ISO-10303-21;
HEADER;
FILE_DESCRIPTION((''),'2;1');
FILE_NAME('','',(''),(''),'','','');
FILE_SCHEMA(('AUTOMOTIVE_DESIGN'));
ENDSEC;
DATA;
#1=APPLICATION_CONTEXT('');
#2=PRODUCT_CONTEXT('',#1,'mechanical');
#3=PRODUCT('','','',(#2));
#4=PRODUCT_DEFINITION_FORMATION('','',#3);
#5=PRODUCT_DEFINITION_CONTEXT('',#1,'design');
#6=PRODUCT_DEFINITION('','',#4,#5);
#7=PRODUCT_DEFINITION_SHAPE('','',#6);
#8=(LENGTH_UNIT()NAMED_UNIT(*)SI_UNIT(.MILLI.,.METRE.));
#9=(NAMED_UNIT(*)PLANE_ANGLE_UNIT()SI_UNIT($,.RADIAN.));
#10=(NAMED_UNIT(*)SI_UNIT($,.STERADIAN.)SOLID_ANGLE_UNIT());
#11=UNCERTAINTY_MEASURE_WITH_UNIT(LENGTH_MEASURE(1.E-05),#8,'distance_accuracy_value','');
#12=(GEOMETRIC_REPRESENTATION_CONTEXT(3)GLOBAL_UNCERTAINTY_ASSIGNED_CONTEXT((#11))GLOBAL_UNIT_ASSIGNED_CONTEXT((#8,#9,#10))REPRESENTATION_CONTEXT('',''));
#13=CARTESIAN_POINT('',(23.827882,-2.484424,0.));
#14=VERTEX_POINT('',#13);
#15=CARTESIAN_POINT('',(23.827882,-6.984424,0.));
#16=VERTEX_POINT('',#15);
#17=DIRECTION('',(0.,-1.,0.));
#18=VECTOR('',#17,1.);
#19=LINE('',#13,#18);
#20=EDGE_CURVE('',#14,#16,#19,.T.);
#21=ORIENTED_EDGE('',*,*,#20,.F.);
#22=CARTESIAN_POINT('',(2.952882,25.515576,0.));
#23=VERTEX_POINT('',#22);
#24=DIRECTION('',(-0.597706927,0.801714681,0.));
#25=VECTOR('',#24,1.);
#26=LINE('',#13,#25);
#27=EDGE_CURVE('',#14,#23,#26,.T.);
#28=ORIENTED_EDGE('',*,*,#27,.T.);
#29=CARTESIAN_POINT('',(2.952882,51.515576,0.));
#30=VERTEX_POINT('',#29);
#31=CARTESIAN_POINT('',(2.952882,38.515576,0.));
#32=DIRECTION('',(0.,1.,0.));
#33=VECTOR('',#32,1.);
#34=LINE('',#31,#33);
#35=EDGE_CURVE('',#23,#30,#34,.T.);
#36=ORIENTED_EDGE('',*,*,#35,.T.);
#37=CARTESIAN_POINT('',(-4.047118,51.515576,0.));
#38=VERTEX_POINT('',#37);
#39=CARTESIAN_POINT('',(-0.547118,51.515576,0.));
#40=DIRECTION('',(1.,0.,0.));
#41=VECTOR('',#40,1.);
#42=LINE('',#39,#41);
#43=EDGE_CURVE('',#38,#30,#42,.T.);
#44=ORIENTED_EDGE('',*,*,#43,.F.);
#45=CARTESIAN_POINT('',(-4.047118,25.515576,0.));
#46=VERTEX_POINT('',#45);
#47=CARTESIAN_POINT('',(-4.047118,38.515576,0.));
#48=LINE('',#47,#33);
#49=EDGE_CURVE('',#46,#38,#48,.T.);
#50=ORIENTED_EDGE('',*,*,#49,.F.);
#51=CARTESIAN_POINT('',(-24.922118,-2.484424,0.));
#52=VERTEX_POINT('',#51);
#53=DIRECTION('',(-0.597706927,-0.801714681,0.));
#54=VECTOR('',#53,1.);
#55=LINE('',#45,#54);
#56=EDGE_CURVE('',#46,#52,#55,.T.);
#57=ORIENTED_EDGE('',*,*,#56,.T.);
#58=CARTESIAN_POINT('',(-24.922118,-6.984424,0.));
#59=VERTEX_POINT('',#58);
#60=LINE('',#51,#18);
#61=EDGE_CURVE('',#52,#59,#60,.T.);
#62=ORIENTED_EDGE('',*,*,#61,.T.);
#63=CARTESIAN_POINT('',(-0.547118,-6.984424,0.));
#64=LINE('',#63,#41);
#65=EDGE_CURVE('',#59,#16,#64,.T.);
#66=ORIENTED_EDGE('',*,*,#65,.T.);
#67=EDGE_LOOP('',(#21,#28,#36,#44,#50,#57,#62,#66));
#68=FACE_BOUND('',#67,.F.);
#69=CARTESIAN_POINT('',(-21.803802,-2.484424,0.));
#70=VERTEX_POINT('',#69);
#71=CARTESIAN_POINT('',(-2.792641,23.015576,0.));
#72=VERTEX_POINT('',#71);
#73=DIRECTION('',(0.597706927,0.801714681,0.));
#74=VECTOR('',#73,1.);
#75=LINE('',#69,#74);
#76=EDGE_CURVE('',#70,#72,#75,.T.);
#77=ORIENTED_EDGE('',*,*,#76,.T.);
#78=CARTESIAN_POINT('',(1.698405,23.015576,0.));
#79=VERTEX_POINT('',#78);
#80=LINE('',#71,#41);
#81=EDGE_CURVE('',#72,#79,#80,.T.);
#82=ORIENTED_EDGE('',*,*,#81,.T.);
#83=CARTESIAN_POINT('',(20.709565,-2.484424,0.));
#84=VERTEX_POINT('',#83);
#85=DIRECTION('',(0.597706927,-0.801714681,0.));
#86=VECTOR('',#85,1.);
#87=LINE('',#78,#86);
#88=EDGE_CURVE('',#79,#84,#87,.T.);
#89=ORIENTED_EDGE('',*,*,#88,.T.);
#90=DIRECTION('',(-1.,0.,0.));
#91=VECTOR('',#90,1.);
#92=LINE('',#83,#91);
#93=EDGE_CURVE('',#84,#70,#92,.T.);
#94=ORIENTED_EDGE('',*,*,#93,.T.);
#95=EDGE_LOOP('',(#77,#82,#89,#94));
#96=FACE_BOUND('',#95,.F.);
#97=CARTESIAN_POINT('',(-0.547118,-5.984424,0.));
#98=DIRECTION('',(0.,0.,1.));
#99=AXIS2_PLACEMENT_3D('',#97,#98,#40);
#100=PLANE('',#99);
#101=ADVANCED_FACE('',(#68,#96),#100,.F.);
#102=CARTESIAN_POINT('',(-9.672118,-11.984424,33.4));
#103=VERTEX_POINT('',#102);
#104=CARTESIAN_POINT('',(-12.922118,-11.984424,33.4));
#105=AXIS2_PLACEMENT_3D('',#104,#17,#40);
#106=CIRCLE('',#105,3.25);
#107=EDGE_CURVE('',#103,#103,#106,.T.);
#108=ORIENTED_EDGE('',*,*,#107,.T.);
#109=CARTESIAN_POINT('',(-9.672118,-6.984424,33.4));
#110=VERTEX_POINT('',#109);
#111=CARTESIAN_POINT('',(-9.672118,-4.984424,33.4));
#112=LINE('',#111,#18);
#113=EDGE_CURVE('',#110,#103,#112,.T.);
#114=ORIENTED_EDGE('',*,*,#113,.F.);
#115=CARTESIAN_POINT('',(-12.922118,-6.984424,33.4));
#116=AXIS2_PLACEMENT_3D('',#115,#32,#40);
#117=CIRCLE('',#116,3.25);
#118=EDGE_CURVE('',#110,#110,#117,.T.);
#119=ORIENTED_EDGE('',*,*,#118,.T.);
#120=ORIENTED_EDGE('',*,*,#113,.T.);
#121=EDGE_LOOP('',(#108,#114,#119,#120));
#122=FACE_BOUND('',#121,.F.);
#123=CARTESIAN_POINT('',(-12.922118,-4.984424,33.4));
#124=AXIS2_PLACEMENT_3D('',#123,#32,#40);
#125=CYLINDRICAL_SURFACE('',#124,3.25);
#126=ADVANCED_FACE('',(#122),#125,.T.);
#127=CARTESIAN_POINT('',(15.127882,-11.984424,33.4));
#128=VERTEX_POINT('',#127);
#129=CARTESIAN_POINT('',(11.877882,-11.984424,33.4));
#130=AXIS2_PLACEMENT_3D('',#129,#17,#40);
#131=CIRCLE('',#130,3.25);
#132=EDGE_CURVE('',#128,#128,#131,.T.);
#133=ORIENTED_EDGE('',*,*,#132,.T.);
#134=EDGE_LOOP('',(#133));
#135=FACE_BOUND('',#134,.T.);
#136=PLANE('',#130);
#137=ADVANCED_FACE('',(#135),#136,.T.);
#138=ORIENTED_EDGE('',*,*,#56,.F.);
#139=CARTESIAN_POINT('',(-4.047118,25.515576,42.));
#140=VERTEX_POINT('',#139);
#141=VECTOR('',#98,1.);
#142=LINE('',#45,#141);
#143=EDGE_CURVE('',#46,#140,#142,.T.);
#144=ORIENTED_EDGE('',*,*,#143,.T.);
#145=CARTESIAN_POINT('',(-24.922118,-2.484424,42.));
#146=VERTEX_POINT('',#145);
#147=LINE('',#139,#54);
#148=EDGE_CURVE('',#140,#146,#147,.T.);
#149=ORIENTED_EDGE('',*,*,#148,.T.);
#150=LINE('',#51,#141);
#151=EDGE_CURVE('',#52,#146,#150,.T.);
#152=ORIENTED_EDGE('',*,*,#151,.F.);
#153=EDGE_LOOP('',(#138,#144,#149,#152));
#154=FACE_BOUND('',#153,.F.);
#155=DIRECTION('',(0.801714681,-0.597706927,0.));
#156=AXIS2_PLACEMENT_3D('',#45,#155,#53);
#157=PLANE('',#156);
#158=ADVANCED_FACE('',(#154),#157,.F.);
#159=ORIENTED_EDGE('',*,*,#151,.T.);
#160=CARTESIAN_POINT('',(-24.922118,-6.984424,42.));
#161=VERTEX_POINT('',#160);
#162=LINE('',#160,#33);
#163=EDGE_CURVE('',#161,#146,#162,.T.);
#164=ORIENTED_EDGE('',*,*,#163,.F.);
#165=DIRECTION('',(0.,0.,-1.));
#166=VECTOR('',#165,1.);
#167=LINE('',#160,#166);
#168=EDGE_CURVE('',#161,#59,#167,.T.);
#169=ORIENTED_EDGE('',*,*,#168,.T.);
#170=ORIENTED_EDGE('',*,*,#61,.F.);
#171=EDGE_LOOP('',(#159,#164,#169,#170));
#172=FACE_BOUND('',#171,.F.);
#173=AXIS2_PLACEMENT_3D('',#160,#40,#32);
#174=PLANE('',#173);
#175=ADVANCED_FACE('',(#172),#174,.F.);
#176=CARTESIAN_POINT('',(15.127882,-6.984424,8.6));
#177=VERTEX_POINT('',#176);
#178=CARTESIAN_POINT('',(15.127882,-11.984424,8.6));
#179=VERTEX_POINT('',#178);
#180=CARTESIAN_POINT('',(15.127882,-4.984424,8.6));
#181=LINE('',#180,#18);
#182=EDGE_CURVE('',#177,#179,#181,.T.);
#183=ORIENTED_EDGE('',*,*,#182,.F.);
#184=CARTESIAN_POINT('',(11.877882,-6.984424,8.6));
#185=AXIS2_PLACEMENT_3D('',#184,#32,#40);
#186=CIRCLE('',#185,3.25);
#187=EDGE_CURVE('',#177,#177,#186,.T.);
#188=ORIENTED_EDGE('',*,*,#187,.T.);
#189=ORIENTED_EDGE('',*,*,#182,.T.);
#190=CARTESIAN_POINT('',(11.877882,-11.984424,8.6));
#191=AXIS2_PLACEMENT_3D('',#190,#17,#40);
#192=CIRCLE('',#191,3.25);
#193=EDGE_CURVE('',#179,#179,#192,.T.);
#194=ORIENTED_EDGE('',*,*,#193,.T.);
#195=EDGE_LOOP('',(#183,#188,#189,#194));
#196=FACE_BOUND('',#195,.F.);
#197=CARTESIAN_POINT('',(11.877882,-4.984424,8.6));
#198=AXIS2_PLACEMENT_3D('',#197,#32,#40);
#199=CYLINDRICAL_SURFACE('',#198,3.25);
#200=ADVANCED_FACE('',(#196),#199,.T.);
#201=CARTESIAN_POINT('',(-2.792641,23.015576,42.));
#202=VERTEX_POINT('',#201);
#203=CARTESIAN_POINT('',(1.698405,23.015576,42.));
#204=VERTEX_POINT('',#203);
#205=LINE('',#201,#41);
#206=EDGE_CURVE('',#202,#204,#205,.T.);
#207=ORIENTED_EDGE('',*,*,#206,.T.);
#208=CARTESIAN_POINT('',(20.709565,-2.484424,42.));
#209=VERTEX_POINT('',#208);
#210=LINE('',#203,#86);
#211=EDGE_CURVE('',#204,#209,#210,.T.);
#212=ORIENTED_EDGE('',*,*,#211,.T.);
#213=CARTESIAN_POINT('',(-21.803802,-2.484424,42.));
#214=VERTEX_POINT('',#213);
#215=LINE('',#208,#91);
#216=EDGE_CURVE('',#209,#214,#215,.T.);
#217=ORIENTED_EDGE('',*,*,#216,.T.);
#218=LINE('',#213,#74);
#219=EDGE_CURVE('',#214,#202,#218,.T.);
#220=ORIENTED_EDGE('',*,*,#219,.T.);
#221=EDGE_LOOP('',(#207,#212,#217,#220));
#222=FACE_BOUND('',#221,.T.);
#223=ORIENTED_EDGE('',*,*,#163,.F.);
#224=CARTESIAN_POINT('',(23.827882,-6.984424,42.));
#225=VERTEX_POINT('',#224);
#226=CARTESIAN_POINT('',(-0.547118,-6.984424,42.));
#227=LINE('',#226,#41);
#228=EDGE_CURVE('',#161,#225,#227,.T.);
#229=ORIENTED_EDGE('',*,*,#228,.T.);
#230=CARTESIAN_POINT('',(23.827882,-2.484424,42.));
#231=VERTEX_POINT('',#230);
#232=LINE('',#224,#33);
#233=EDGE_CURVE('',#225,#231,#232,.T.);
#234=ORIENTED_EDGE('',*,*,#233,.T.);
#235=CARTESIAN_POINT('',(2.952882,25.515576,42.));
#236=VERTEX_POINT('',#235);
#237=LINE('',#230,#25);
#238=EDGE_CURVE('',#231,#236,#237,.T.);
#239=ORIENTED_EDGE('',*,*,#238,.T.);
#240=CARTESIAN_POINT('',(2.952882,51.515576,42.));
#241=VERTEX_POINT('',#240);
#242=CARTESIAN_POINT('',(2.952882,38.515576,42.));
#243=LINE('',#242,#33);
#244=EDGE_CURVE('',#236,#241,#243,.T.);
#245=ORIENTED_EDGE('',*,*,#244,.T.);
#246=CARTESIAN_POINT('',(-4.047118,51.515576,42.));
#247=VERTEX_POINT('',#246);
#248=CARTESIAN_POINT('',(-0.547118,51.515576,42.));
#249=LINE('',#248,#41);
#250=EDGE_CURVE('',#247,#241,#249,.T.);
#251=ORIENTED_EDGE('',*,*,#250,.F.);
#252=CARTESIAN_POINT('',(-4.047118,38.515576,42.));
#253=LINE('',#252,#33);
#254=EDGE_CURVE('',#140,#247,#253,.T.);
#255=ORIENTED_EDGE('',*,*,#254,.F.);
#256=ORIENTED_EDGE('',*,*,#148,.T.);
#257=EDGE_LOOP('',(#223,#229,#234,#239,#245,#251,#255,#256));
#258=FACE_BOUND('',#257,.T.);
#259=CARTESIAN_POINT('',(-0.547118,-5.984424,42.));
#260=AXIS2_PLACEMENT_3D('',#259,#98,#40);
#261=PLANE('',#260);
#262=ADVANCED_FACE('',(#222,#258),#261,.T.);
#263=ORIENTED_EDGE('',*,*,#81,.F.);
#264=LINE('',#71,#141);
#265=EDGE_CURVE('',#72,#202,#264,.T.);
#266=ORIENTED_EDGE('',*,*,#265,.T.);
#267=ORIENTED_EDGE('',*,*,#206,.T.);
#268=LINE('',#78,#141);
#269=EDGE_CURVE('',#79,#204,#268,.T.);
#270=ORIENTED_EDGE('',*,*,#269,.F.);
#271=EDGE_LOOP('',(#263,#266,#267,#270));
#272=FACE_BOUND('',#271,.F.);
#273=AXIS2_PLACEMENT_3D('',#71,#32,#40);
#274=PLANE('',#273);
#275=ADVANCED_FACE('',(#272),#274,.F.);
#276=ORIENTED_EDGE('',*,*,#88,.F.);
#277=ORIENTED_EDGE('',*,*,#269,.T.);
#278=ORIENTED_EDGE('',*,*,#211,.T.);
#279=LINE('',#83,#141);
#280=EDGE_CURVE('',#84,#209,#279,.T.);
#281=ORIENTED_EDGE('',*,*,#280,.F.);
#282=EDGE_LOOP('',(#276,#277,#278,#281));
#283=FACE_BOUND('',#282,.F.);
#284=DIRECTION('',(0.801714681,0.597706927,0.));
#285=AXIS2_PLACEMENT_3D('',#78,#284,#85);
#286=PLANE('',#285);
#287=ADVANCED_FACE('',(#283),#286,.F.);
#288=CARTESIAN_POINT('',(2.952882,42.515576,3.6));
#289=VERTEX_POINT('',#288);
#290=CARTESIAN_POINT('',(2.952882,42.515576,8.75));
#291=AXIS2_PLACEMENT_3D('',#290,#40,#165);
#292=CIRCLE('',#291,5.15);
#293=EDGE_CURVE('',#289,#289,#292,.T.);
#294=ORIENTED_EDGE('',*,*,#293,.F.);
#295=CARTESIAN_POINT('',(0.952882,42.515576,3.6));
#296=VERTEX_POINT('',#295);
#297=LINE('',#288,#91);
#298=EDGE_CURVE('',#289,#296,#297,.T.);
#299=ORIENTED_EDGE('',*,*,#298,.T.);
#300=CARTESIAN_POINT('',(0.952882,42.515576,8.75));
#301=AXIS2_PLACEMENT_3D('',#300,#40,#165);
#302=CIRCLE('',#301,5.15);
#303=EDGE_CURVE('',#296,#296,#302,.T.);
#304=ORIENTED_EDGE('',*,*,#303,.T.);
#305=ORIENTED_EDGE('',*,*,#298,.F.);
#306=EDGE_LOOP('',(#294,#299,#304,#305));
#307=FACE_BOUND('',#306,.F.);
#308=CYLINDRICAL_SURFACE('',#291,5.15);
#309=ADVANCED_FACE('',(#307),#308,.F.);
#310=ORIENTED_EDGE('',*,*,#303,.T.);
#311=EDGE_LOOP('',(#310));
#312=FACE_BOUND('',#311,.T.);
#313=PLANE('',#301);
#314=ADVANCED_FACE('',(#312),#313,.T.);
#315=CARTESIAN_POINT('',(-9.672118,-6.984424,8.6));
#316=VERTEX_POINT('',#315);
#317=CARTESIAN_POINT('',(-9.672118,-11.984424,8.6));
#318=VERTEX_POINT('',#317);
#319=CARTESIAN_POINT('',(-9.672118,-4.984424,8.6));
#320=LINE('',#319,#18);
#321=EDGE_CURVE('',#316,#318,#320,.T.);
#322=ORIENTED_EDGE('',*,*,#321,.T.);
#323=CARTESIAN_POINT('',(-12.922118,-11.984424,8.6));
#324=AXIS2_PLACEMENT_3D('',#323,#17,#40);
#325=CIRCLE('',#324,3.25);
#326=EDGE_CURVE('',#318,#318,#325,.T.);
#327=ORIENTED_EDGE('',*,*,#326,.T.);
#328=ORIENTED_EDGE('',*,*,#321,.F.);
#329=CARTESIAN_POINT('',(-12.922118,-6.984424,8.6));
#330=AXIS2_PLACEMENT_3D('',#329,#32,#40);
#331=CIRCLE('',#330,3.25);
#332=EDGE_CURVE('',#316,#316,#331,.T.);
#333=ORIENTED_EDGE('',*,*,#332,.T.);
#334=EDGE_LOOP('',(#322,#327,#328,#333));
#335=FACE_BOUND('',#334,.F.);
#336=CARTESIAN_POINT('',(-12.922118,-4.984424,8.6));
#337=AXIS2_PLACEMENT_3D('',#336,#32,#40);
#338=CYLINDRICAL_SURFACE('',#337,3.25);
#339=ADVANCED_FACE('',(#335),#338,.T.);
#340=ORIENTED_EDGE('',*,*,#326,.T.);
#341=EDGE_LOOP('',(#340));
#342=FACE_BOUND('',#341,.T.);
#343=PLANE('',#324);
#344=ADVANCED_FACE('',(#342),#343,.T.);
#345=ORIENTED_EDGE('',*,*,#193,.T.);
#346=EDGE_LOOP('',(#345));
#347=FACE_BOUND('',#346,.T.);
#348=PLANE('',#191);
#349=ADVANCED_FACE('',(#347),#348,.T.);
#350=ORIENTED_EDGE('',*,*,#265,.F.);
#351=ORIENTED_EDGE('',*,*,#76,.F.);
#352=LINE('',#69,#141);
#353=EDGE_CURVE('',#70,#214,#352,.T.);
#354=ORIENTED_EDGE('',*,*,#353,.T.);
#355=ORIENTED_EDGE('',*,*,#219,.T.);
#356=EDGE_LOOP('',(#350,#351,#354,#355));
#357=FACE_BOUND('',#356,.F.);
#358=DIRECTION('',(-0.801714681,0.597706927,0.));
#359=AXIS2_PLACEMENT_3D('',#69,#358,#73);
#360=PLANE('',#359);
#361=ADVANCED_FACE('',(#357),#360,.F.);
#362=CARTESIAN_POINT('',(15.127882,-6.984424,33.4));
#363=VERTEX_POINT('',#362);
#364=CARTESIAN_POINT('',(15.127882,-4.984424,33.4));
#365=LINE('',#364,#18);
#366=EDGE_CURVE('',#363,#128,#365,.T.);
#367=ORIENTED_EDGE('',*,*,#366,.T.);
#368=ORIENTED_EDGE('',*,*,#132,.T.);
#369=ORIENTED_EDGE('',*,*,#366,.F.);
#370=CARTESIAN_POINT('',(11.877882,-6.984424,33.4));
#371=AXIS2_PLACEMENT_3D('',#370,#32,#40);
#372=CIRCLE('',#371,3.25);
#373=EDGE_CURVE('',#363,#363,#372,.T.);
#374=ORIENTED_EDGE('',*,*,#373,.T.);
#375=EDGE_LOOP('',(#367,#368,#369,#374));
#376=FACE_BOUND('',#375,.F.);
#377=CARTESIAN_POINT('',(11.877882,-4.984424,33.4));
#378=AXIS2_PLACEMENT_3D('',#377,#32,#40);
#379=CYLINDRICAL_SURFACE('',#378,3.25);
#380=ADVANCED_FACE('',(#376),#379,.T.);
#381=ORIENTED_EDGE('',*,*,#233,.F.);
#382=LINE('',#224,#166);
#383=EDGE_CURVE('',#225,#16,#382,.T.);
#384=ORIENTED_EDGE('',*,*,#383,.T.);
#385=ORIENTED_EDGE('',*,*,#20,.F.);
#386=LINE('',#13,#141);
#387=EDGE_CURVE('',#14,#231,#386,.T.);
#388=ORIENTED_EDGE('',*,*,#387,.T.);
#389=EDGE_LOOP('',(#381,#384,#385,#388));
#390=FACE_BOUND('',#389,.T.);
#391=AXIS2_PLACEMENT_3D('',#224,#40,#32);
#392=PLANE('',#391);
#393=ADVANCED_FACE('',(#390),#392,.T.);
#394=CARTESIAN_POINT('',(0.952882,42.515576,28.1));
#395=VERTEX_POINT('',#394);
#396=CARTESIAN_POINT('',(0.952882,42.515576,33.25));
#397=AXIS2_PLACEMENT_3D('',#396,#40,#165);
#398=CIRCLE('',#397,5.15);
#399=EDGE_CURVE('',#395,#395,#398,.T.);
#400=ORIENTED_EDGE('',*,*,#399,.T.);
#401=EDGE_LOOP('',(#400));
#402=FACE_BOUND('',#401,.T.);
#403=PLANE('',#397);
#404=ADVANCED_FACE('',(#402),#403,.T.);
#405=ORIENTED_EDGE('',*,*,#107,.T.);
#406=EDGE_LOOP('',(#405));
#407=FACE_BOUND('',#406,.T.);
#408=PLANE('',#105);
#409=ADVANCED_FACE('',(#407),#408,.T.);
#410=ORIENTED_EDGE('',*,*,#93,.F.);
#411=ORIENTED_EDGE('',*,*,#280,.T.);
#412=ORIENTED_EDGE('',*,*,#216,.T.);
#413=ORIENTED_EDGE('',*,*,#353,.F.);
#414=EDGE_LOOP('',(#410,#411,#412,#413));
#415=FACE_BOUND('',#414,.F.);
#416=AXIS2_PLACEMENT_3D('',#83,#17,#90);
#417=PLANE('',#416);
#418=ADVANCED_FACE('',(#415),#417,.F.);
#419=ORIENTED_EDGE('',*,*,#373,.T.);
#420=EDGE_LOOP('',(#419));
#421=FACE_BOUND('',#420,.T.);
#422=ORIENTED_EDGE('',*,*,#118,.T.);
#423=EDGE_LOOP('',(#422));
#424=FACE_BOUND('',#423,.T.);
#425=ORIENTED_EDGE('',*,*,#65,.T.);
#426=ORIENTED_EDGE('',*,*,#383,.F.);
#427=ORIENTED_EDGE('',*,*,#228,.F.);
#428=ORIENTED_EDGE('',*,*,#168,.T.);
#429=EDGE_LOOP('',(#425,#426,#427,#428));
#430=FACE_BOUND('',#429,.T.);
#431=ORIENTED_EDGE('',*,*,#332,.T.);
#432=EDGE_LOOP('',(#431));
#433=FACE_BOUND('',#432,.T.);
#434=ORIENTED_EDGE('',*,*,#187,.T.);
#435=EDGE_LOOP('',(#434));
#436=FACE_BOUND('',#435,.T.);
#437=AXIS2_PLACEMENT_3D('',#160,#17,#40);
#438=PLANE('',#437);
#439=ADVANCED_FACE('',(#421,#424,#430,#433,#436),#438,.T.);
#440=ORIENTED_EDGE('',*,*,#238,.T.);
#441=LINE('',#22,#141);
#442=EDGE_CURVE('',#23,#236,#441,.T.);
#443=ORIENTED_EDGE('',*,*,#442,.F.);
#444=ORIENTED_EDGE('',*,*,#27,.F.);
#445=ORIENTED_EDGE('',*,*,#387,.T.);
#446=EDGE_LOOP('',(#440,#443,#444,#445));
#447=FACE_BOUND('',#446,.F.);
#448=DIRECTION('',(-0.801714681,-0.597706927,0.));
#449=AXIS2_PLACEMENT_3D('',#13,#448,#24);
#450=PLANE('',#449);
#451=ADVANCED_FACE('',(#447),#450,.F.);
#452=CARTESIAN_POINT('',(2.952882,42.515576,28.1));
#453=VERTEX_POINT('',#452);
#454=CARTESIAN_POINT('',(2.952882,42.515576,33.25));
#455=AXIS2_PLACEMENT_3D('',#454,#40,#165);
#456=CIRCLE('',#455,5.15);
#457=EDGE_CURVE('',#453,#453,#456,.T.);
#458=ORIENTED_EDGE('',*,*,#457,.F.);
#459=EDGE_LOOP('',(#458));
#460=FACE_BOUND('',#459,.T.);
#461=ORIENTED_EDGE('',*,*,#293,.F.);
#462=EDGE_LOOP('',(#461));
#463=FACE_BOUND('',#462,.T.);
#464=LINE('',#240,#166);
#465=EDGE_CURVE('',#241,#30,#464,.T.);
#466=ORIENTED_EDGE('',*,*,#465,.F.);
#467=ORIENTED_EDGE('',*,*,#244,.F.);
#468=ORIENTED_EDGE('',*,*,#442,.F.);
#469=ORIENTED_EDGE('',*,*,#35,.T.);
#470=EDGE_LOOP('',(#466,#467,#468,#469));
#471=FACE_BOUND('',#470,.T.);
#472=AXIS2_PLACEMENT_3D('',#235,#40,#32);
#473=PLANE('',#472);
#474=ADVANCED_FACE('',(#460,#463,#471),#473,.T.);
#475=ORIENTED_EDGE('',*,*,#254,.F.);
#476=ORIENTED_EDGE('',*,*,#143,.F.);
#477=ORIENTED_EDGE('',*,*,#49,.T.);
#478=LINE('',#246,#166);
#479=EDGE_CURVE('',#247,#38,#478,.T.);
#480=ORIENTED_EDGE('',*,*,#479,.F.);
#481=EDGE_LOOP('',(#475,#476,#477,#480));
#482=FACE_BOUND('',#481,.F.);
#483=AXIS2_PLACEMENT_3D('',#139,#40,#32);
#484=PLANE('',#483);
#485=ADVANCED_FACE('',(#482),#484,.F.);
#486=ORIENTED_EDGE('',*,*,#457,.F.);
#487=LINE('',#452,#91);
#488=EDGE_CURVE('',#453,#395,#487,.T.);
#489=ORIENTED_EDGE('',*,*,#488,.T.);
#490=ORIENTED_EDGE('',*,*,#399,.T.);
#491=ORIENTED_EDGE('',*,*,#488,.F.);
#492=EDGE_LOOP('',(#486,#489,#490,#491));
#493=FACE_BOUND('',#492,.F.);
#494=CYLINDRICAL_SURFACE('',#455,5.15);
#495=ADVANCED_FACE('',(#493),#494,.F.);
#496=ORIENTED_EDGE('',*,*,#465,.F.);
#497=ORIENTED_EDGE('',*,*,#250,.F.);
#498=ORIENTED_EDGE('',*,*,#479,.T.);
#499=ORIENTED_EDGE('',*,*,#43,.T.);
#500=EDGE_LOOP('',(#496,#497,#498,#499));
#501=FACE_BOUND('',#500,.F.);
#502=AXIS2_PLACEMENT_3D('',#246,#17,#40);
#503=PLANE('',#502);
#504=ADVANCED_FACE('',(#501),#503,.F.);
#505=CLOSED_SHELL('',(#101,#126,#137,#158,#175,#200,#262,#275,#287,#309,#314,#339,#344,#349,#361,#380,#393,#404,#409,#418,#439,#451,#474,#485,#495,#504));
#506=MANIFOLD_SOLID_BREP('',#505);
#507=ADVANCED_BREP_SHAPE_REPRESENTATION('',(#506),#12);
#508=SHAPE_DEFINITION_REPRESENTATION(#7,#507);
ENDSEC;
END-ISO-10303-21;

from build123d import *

# Parameters (mm, degrees)
BOSS_EXTRUDE1_DEPTH = 42
SKETCH2_W           = 7
SKETCH2_H           = 26
BOSS_EXTRUDE2_DEPTH = 42
SKETCH3_R           = 5.15
CUT_EXTRUDE1_DEPTH  = 2
SKETCH4_R           = 3.25
BOSS_EXTRUDE3_DEPTH = 7
SKETCH5_W           = 48.75
SKETCH5_H           = 2
BOSS_EXTRUDE4_DEPTH = 42


with BuildPart() as part:
    # Sketch1 → Boss-Extrude1 (new body)
    with BuildSketch(Plane.XY):
        Polygon((-24.92211838, -2.484423676), (-24.92211838, -4.984423676), (23.82788162, -4.984423676), (23.82788162, -2.484423676), (2.95288162, 25.515576324), (-4.04711838, 25.515576324), align=None)
        Polygon((-21.803802026, -2.484423676), (-2.792641312, 23.015576324), (1.698404552, 23.015576324), (20.709565266, -2.484423676), align=None, mode=Mode.SUBTRACT)
    extrude(amount=BOSS_EXTRUDE1_DEPTH)

    # Sketch2 → Boss-Extrude2 (add)
    with BuildSketch(Plane.XY.offset(42)):
        with Locations((-0.54711838, 38.515576324)):
            Rectangle(SKETCH2_W, SKETCH2_H)
    extrude(amount=-BOSS_EXTRUDE2_DEPTH)

    # Sketch3 → Cut-Extrude1 (cut)
    with BuildSketch(Plane(origin=(2.95288162, 0, 0), x_dir=(0, 0, -1), z_dir=(1, 0, 0))):
        with Locations((-33.25, 42.515576324)):
            Circle(SKETCH3_R)
        with Locations((-8.75, 42.515576324)):
            Circle(SKETCH3_R)
    extrude(amount=-CUT_EXTRUDE1_DEPTH, mode=Mode.SUBTRACT)

    # Sketch4 → Boss-Extrude3 (add)
    with BuildSketch(Plane.XZ.offset(4.984423676)):
        with Locations((-12.92211838, 33.4)):
            Circle(SKETCH4_R)
        with Locations((11.87788162, 33.4)):
            Circle(SKETCH4_R)
        with Locations((11.87788162, 8.6)):
            Circle(SKETCH4_R)
        with Locations((-12.92211838, 8.6)):
            Circle(SKETCH4_R)
    extrude(amount=BOSS_EXTRUDE3_DEPTH)

    # Sketch5 → Boss-Extrude4 (add)
    with BuildSketch(Plane.XY.offset(42)):
        with Locations((-0.54711838, -5.984423676)):
            Rectangle(SKETCH5_W, SKETCH5_H)
    extrude(amount=-BOSS_EXTRUDE4_DEPTH)


solid = part.part
